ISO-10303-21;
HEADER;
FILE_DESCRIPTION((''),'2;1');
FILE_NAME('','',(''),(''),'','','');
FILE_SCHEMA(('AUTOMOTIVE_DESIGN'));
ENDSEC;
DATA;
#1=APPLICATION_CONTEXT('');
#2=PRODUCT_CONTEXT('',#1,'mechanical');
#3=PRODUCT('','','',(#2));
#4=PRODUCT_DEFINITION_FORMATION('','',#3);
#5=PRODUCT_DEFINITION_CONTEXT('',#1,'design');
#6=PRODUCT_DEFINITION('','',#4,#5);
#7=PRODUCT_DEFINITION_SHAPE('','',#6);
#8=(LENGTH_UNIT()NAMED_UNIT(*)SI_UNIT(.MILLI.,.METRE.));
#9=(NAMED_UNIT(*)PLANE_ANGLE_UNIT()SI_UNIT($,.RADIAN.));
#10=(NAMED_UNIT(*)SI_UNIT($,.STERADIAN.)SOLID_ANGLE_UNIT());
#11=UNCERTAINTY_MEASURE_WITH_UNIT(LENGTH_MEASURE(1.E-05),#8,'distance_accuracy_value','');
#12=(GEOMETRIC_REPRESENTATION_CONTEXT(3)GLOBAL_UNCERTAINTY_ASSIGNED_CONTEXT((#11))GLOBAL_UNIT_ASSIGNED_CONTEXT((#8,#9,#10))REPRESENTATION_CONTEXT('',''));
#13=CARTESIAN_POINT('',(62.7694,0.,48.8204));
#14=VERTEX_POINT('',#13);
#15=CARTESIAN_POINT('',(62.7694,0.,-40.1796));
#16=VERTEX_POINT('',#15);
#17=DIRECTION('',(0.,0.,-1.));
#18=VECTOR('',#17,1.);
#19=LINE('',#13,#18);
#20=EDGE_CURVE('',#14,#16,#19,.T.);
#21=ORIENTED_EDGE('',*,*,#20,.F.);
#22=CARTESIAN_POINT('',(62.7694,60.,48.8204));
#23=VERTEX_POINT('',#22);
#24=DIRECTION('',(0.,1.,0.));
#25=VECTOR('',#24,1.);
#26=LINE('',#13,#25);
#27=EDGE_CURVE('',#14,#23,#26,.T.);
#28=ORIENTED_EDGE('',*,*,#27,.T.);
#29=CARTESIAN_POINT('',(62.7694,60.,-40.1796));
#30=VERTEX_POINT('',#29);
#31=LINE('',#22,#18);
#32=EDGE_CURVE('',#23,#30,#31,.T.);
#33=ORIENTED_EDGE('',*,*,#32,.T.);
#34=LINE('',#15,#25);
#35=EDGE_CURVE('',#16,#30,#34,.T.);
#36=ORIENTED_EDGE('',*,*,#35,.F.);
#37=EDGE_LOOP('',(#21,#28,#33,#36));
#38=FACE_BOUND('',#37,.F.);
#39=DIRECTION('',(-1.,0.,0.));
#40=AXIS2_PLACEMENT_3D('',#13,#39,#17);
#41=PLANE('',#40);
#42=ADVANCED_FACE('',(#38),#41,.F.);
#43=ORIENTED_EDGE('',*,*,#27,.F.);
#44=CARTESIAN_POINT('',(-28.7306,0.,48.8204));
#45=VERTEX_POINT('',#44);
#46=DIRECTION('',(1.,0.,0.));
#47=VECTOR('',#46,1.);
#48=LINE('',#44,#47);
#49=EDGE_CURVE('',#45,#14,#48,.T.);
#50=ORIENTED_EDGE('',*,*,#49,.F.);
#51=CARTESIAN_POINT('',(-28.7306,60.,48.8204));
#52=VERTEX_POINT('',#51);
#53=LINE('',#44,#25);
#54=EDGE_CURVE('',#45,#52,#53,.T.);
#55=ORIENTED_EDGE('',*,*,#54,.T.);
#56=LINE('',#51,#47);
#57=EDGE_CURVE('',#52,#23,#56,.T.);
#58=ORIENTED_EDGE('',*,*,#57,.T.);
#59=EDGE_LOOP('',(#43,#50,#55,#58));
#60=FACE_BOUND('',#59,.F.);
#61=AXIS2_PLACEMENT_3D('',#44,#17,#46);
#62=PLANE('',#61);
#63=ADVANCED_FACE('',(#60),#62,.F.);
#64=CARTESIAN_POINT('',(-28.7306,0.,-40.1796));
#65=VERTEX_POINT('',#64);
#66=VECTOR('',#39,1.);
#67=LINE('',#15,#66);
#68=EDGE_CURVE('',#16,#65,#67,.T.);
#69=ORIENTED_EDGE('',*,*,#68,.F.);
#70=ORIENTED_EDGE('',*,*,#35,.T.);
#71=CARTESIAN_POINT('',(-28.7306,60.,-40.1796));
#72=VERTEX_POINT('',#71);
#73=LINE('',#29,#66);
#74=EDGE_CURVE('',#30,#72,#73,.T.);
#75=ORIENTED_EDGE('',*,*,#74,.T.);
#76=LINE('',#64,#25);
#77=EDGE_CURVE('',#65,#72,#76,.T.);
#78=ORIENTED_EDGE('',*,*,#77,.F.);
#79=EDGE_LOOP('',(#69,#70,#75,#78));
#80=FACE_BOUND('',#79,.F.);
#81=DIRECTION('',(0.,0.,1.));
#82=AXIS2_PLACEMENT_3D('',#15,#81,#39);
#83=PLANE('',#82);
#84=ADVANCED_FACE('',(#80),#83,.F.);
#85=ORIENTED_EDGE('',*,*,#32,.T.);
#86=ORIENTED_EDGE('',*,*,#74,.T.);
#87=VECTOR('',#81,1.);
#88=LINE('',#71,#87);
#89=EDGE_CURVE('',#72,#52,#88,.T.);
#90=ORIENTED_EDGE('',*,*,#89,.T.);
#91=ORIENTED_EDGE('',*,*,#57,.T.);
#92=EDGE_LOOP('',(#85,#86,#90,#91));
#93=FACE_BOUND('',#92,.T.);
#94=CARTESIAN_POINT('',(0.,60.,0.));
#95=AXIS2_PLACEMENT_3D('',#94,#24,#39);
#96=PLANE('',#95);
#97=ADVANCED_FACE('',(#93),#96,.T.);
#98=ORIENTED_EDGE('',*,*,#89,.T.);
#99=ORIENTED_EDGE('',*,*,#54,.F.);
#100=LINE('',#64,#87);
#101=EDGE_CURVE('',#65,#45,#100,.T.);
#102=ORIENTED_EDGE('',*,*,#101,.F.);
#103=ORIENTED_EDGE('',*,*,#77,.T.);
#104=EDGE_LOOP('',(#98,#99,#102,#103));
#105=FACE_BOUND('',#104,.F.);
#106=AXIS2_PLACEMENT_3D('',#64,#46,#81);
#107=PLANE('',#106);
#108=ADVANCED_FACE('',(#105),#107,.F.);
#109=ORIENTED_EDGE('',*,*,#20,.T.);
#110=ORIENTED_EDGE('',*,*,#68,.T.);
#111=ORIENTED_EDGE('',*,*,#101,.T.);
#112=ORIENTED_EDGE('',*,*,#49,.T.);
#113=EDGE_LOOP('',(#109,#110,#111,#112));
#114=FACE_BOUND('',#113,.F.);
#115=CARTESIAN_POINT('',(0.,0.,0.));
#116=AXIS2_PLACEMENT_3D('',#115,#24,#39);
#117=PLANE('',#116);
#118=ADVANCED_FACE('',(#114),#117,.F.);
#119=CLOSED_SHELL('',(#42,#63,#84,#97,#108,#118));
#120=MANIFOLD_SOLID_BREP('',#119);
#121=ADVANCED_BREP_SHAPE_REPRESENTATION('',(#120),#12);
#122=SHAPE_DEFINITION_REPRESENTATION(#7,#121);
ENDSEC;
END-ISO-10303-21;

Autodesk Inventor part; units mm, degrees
ref_plane "YZ Plane" through (0, 0, 0) normal (1, 0, 0) x (0, 1, 0)
ref_plane "XZ Plane" through (0, 0, 0) normal (0, 1, 0) x (-1, 0, 0)
ref_plane "XY Plane" through (0, 0, 0) normal (0, 0, 1) x (1, 0, 0)
sketch "Sketch1" plane through (0, 0, 0) normal (0, 1, 0) x (-1, 0, 0)
  line L0 (28.7306, 48.8204) -> (-62.7694, 48.8204)
  line L1 (-62.7694, 48.8204) -> (-62.7694, -40.1796)
  line L2 (-62.7694, -40.1796) -> (28.7306, -40.1796)
  line L3 (28.7306, -40.1796) -> (28.7306, 48.8204)
  point P0 (0, 0)
  dimension "d0" = 89
  dimension "d1" = 91.5
extrude "Extrusion1" add sketch "Sketch1" along normal blind 60
properties part number "usb hub amazonbasics"
